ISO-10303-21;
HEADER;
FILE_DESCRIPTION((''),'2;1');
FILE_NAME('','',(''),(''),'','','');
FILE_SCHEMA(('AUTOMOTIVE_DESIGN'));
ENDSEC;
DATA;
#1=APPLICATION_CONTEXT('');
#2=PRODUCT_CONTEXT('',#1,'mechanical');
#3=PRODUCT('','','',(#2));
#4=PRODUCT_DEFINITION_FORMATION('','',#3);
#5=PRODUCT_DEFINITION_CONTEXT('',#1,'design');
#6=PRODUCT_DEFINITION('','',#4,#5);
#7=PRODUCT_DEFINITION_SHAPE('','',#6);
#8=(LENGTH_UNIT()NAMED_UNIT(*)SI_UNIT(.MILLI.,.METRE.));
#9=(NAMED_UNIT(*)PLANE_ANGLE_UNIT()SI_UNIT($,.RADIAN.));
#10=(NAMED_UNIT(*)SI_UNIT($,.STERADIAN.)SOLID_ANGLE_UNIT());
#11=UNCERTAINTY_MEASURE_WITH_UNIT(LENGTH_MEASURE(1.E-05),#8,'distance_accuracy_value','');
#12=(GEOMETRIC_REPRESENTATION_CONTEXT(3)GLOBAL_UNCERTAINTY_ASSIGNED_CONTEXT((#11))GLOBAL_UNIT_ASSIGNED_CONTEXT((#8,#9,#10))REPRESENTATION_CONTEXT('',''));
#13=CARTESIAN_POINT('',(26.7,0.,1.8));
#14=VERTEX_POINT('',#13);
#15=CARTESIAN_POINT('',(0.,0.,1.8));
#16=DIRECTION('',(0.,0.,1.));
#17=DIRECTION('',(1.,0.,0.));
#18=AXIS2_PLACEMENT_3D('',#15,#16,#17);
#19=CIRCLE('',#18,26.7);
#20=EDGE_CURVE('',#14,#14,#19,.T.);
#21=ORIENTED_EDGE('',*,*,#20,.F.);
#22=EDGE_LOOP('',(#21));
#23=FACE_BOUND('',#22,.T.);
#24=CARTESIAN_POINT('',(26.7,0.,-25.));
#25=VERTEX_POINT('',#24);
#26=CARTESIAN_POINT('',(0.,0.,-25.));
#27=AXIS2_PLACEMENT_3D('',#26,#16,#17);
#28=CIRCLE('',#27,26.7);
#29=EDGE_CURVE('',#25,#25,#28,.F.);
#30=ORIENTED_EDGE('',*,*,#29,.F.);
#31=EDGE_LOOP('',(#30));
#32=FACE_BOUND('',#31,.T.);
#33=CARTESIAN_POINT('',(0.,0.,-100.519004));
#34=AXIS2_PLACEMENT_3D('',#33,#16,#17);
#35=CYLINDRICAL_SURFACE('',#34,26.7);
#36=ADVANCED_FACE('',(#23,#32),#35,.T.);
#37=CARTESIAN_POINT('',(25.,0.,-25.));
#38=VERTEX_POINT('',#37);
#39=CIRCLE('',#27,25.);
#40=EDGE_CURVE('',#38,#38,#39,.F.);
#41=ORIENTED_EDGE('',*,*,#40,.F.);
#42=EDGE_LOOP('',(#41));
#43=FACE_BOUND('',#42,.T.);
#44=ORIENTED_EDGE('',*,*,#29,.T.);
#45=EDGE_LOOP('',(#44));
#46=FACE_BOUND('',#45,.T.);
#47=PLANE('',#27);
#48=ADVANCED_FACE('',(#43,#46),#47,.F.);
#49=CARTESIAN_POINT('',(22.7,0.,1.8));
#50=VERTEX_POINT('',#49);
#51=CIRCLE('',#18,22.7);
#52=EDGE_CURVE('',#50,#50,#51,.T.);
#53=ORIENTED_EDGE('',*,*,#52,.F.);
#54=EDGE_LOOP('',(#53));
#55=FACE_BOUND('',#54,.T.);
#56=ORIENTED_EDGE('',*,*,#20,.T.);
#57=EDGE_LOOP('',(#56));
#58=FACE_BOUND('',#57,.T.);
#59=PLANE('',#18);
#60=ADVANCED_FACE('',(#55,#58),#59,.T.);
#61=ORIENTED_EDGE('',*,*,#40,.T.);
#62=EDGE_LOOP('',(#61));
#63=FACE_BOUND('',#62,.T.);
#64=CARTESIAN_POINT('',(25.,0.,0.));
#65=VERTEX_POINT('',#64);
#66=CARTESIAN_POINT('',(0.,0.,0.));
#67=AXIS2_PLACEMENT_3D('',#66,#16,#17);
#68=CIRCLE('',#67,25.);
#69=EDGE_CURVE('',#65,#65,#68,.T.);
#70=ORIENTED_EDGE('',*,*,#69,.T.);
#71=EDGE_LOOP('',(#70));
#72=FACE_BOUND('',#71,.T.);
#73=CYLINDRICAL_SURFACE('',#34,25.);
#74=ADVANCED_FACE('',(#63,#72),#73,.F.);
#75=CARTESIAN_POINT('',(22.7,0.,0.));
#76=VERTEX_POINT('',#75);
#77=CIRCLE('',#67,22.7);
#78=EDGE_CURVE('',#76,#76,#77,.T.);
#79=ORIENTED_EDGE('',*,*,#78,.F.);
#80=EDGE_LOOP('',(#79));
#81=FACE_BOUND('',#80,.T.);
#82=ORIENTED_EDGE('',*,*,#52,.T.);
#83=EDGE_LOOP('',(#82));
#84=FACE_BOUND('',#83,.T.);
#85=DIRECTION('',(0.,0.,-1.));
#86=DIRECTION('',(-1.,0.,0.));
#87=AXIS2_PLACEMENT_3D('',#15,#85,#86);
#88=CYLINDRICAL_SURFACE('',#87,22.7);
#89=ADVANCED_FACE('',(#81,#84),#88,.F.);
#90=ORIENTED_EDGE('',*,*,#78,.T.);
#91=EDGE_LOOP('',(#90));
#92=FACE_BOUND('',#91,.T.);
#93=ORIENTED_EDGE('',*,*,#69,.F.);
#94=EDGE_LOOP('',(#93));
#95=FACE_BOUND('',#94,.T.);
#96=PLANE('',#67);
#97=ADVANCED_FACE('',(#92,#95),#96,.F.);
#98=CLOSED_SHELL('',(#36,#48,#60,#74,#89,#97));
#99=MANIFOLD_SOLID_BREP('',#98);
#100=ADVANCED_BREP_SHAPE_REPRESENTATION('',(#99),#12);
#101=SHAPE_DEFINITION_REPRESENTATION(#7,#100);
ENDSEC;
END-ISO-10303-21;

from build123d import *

# Parameters (mm, degrees)
SKETCH1_R           = 26.7
SKETCH1_R_2         = 25
BOSS_EXTRUDE1_DEPTH = 25
BOSS_EXTRUDE2_START = 1.8
SKETCH2_R           = 26.7
SKETCH2_R_2         = 22.7
BOSS_EXTRUDE2_DEPTH = 1.8


with BuildPart() as part:
    # Sketch1 → Boss-Extrude1 (new body)
    with BuildSketch(Plane.XY):
        Circle(SKETCH1_R)
        Circle(SKETCH1_R_2, mode=Mode.SUBTRACT)
    extrude(amount=-BOSS_EXTRUDE1_DEPTH)

    # Sketch2 → Boss-Extrude2 (add)
    with BuildSketch(Plane.XY.offset(BOSS_EXTRUDE2_START)):
        Circle(SKETCH2_R)
        Circle(SKETCH2_R_2, mode=Mode.SUBTRACT)
    extrude(amount=-BOSS_EXTRUDE2_DEPTH)


solid = part.part
